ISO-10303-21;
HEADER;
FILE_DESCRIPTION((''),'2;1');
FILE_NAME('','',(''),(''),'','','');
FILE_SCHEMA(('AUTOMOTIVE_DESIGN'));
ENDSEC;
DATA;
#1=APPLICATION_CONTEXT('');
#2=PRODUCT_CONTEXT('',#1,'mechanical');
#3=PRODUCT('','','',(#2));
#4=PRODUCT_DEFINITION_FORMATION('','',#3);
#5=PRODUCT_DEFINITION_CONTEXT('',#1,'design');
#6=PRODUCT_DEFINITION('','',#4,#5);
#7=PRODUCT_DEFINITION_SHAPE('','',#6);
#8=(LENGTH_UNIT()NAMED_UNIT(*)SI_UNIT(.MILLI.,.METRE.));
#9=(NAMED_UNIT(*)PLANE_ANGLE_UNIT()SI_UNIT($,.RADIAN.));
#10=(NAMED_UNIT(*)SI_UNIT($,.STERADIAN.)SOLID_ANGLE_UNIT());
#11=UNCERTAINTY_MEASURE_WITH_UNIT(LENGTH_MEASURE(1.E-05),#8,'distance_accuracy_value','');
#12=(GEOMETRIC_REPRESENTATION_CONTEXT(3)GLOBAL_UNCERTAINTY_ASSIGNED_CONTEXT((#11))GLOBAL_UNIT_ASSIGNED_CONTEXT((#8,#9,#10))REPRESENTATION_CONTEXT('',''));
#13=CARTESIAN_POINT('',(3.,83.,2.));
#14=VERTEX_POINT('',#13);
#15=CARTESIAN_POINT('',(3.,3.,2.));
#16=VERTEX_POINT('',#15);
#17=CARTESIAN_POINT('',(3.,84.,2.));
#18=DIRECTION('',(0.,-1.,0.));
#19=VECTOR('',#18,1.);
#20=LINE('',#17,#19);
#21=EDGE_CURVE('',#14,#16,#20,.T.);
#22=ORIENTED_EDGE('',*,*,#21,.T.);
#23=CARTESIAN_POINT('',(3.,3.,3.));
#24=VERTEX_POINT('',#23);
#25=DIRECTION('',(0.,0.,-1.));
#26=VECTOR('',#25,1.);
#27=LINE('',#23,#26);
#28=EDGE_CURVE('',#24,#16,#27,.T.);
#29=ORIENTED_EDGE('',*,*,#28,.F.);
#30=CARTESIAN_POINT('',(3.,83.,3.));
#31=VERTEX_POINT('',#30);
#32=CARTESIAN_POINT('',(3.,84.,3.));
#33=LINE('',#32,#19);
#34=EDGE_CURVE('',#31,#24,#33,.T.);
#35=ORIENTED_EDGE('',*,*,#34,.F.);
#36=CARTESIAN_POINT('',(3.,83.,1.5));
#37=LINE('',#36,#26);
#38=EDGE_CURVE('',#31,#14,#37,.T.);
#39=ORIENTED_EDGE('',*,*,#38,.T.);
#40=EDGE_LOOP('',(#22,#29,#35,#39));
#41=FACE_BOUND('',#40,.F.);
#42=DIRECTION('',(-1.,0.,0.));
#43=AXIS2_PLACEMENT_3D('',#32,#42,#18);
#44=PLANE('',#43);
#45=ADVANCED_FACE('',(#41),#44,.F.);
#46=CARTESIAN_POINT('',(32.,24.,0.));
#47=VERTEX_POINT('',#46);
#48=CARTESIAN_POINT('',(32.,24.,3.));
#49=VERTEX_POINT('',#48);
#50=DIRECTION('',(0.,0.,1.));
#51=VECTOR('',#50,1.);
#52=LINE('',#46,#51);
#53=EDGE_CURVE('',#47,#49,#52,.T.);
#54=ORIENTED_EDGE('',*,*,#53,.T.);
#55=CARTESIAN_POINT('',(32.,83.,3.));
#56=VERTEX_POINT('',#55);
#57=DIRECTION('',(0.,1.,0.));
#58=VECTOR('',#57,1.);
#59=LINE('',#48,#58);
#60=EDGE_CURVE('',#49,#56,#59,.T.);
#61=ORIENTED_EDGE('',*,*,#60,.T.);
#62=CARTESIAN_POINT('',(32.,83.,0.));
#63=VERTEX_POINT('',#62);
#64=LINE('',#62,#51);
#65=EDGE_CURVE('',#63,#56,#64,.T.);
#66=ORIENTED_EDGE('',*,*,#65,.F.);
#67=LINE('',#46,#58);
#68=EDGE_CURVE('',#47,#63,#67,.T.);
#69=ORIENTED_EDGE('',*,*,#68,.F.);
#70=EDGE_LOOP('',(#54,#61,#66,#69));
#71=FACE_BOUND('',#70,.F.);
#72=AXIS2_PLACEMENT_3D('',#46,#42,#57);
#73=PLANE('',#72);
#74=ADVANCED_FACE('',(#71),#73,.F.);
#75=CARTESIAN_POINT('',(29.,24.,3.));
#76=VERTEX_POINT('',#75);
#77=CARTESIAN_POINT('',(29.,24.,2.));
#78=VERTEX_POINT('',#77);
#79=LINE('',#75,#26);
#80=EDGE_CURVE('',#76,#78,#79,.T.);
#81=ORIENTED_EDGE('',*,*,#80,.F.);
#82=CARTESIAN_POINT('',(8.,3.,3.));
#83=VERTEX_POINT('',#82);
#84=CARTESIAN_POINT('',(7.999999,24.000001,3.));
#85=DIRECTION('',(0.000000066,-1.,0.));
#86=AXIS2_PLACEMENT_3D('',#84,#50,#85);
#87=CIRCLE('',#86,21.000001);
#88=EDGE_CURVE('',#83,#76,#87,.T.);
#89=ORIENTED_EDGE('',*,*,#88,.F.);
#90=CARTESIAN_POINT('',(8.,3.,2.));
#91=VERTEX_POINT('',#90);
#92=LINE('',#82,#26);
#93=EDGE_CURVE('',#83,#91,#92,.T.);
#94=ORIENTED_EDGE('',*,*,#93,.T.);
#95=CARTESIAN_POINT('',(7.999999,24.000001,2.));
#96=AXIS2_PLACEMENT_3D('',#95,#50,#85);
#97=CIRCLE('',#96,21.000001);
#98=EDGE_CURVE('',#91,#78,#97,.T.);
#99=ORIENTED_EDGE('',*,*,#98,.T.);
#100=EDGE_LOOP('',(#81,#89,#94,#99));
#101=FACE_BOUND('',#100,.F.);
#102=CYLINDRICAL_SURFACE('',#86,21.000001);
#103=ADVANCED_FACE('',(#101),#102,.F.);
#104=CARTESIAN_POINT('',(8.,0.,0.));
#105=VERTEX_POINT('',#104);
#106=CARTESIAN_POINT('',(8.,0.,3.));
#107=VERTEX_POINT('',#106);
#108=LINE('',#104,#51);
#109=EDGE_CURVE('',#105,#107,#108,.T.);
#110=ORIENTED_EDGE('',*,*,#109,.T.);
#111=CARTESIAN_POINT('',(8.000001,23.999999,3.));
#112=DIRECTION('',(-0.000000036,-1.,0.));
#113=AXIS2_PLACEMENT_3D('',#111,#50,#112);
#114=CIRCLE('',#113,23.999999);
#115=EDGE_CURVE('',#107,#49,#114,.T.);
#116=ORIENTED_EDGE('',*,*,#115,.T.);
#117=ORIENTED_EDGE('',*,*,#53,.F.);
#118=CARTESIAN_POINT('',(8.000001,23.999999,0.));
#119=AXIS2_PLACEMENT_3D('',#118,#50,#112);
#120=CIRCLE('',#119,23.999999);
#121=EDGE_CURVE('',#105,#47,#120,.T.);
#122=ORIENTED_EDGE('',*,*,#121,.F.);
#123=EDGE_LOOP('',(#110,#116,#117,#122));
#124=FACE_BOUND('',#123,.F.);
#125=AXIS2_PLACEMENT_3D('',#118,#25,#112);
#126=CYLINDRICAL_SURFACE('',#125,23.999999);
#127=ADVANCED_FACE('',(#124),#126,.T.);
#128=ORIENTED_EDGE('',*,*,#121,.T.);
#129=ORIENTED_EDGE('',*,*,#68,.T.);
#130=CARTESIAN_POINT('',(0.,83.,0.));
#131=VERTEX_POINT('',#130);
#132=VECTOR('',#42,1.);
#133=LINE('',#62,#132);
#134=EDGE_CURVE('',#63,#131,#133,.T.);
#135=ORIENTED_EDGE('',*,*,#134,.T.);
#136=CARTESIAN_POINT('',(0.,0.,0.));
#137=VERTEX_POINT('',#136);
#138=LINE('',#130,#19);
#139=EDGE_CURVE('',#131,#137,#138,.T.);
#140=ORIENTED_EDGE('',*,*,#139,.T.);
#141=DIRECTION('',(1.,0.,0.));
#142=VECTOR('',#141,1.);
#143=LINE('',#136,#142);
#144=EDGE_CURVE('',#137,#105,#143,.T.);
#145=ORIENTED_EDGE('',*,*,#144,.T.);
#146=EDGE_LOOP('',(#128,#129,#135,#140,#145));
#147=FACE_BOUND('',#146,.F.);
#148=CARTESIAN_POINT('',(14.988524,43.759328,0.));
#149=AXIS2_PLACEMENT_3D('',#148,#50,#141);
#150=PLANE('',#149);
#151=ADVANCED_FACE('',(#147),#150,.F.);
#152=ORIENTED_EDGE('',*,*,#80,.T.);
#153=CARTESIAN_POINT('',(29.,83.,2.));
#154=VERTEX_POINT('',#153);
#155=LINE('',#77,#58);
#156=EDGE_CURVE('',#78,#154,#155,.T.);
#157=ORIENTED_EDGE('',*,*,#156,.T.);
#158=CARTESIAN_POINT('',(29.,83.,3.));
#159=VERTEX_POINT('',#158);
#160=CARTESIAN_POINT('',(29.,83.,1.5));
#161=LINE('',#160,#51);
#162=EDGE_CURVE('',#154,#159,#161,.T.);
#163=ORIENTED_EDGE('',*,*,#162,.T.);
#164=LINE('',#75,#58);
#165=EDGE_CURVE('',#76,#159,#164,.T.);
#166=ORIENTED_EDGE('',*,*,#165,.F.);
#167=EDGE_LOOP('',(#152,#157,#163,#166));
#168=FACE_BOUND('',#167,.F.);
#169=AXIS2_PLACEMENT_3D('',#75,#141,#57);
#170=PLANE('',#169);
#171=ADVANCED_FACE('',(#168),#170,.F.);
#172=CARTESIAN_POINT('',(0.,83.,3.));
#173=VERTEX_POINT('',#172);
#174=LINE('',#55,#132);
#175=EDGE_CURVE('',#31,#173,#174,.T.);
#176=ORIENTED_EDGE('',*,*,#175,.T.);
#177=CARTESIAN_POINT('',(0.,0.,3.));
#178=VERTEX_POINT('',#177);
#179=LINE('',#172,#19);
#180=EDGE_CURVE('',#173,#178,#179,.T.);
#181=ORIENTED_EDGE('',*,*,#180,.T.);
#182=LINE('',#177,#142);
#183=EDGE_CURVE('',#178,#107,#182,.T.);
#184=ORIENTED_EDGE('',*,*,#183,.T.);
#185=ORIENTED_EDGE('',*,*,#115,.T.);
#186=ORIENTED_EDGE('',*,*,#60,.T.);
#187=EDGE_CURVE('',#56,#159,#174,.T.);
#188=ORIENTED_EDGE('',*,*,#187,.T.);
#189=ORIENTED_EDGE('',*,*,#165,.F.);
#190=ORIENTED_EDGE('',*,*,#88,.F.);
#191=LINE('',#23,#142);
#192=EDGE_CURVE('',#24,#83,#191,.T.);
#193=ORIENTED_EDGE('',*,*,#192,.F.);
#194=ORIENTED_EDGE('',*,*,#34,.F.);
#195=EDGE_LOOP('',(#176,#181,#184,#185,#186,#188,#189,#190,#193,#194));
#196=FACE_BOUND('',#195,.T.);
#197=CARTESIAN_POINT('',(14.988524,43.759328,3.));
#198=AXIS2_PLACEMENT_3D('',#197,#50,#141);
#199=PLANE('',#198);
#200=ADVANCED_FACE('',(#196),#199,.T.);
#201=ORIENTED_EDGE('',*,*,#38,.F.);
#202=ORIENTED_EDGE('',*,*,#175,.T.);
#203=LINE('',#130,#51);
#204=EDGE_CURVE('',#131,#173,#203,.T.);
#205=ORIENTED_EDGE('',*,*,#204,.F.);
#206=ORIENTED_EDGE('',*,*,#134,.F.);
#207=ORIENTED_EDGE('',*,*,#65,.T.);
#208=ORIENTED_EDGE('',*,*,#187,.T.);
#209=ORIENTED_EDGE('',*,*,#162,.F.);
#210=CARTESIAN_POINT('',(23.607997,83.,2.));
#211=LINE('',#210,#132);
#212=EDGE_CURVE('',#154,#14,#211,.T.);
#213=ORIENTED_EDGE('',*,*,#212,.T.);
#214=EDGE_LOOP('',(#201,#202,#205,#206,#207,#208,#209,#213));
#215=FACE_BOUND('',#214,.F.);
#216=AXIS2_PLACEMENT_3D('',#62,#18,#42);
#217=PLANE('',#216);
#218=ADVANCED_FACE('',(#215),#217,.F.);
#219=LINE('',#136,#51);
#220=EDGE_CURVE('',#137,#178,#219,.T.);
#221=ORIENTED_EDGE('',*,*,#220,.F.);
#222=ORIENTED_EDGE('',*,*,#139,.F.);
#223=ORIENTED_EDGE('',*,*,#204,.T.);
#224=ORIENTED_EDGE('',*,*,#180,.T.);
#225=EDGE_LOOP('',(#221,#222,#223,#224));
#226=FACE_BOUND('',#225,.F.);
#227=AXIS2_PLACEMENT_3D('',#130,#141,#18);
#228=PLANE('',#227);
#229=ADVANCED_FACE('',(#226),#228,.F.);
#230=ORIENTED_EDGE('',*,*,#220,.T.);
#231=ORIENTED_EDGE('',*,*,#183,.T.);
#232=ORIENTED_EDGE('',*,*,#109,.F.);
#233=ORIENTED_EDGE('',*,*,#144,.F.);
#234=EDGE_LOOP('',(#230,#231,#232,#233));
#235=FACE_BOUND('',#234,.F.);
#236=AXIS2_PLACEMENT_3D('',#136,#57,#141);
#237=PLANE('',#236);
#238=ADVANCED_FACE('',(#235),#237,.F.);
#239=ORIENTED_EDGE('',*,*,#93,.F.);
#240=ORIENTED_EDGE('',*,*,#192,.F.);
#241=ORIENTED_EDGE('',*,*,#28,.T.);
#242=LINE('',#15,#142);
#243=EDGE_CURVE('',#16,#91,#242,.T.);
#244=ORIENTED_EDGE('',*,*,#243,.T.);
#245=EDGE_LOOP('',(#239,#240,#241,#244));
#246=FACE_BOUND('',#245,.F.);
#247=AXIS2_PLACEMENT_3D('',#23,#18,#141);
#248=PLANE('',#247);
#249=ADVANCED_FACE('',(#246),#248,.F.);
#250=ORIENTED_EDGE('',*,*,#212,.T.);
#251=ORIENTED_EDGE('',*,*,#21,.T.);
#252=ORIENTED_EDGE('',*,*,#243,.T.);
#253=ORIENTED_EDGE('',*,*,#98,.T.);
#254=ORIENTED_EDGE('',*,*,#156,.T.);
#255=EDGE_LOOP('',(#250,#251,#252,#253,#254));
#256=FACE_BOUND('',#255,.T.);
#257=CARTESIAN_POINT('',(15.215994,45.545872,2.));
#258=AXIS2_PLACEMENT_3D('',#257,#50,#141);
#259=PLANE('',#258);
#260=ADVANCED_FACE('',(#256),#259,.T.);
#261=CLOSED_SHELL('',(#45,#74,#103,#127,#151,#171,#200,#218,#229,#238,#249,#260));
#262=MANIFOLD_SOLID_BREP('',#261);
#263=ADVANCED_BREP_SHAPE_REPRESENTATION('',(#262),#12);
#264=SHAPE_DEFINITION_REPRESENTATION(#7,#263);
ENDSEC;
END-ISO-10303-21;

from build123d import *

# Parameters (mm, degrees)
PAD_DEPTH    = 3
POCKET_DEPTH = 1


with BuildPart() as part:
    # Sketch → Pad (new body)
    with BuildSketch(Plane.XY):
        with BuildLine():
            Line((0, 0), (8, 0))
            ThreePointArc((8, 0), (24.970563, 7.029437), (32, 24))
            Line((32, 24), (32, 83))
            Line((32, 83), (0, 83))
            Line((0, 83), (0, 0))
        make_face()
    extrude(amount=PAD_DEPTH)

    # Sketch001 (on Face7 of Pad) → Pocket (cut)
    with BuildSketch(Plane.XY.offset(3)):
        with BuildLine():
            Line((3, 84), (3, 3))
            Line((3, 3), (8, 3))
            ThreePointArc((8, 3), (22.849242, 9.150758), (29, 24))
            Line((29, 24), (29, 84))
            Line((29, 84), (3, 84))
        make_face()
    extrude(amount=-POCKET_DEPTH, mode=Mode.SUBTRACT)


solid = part.part
